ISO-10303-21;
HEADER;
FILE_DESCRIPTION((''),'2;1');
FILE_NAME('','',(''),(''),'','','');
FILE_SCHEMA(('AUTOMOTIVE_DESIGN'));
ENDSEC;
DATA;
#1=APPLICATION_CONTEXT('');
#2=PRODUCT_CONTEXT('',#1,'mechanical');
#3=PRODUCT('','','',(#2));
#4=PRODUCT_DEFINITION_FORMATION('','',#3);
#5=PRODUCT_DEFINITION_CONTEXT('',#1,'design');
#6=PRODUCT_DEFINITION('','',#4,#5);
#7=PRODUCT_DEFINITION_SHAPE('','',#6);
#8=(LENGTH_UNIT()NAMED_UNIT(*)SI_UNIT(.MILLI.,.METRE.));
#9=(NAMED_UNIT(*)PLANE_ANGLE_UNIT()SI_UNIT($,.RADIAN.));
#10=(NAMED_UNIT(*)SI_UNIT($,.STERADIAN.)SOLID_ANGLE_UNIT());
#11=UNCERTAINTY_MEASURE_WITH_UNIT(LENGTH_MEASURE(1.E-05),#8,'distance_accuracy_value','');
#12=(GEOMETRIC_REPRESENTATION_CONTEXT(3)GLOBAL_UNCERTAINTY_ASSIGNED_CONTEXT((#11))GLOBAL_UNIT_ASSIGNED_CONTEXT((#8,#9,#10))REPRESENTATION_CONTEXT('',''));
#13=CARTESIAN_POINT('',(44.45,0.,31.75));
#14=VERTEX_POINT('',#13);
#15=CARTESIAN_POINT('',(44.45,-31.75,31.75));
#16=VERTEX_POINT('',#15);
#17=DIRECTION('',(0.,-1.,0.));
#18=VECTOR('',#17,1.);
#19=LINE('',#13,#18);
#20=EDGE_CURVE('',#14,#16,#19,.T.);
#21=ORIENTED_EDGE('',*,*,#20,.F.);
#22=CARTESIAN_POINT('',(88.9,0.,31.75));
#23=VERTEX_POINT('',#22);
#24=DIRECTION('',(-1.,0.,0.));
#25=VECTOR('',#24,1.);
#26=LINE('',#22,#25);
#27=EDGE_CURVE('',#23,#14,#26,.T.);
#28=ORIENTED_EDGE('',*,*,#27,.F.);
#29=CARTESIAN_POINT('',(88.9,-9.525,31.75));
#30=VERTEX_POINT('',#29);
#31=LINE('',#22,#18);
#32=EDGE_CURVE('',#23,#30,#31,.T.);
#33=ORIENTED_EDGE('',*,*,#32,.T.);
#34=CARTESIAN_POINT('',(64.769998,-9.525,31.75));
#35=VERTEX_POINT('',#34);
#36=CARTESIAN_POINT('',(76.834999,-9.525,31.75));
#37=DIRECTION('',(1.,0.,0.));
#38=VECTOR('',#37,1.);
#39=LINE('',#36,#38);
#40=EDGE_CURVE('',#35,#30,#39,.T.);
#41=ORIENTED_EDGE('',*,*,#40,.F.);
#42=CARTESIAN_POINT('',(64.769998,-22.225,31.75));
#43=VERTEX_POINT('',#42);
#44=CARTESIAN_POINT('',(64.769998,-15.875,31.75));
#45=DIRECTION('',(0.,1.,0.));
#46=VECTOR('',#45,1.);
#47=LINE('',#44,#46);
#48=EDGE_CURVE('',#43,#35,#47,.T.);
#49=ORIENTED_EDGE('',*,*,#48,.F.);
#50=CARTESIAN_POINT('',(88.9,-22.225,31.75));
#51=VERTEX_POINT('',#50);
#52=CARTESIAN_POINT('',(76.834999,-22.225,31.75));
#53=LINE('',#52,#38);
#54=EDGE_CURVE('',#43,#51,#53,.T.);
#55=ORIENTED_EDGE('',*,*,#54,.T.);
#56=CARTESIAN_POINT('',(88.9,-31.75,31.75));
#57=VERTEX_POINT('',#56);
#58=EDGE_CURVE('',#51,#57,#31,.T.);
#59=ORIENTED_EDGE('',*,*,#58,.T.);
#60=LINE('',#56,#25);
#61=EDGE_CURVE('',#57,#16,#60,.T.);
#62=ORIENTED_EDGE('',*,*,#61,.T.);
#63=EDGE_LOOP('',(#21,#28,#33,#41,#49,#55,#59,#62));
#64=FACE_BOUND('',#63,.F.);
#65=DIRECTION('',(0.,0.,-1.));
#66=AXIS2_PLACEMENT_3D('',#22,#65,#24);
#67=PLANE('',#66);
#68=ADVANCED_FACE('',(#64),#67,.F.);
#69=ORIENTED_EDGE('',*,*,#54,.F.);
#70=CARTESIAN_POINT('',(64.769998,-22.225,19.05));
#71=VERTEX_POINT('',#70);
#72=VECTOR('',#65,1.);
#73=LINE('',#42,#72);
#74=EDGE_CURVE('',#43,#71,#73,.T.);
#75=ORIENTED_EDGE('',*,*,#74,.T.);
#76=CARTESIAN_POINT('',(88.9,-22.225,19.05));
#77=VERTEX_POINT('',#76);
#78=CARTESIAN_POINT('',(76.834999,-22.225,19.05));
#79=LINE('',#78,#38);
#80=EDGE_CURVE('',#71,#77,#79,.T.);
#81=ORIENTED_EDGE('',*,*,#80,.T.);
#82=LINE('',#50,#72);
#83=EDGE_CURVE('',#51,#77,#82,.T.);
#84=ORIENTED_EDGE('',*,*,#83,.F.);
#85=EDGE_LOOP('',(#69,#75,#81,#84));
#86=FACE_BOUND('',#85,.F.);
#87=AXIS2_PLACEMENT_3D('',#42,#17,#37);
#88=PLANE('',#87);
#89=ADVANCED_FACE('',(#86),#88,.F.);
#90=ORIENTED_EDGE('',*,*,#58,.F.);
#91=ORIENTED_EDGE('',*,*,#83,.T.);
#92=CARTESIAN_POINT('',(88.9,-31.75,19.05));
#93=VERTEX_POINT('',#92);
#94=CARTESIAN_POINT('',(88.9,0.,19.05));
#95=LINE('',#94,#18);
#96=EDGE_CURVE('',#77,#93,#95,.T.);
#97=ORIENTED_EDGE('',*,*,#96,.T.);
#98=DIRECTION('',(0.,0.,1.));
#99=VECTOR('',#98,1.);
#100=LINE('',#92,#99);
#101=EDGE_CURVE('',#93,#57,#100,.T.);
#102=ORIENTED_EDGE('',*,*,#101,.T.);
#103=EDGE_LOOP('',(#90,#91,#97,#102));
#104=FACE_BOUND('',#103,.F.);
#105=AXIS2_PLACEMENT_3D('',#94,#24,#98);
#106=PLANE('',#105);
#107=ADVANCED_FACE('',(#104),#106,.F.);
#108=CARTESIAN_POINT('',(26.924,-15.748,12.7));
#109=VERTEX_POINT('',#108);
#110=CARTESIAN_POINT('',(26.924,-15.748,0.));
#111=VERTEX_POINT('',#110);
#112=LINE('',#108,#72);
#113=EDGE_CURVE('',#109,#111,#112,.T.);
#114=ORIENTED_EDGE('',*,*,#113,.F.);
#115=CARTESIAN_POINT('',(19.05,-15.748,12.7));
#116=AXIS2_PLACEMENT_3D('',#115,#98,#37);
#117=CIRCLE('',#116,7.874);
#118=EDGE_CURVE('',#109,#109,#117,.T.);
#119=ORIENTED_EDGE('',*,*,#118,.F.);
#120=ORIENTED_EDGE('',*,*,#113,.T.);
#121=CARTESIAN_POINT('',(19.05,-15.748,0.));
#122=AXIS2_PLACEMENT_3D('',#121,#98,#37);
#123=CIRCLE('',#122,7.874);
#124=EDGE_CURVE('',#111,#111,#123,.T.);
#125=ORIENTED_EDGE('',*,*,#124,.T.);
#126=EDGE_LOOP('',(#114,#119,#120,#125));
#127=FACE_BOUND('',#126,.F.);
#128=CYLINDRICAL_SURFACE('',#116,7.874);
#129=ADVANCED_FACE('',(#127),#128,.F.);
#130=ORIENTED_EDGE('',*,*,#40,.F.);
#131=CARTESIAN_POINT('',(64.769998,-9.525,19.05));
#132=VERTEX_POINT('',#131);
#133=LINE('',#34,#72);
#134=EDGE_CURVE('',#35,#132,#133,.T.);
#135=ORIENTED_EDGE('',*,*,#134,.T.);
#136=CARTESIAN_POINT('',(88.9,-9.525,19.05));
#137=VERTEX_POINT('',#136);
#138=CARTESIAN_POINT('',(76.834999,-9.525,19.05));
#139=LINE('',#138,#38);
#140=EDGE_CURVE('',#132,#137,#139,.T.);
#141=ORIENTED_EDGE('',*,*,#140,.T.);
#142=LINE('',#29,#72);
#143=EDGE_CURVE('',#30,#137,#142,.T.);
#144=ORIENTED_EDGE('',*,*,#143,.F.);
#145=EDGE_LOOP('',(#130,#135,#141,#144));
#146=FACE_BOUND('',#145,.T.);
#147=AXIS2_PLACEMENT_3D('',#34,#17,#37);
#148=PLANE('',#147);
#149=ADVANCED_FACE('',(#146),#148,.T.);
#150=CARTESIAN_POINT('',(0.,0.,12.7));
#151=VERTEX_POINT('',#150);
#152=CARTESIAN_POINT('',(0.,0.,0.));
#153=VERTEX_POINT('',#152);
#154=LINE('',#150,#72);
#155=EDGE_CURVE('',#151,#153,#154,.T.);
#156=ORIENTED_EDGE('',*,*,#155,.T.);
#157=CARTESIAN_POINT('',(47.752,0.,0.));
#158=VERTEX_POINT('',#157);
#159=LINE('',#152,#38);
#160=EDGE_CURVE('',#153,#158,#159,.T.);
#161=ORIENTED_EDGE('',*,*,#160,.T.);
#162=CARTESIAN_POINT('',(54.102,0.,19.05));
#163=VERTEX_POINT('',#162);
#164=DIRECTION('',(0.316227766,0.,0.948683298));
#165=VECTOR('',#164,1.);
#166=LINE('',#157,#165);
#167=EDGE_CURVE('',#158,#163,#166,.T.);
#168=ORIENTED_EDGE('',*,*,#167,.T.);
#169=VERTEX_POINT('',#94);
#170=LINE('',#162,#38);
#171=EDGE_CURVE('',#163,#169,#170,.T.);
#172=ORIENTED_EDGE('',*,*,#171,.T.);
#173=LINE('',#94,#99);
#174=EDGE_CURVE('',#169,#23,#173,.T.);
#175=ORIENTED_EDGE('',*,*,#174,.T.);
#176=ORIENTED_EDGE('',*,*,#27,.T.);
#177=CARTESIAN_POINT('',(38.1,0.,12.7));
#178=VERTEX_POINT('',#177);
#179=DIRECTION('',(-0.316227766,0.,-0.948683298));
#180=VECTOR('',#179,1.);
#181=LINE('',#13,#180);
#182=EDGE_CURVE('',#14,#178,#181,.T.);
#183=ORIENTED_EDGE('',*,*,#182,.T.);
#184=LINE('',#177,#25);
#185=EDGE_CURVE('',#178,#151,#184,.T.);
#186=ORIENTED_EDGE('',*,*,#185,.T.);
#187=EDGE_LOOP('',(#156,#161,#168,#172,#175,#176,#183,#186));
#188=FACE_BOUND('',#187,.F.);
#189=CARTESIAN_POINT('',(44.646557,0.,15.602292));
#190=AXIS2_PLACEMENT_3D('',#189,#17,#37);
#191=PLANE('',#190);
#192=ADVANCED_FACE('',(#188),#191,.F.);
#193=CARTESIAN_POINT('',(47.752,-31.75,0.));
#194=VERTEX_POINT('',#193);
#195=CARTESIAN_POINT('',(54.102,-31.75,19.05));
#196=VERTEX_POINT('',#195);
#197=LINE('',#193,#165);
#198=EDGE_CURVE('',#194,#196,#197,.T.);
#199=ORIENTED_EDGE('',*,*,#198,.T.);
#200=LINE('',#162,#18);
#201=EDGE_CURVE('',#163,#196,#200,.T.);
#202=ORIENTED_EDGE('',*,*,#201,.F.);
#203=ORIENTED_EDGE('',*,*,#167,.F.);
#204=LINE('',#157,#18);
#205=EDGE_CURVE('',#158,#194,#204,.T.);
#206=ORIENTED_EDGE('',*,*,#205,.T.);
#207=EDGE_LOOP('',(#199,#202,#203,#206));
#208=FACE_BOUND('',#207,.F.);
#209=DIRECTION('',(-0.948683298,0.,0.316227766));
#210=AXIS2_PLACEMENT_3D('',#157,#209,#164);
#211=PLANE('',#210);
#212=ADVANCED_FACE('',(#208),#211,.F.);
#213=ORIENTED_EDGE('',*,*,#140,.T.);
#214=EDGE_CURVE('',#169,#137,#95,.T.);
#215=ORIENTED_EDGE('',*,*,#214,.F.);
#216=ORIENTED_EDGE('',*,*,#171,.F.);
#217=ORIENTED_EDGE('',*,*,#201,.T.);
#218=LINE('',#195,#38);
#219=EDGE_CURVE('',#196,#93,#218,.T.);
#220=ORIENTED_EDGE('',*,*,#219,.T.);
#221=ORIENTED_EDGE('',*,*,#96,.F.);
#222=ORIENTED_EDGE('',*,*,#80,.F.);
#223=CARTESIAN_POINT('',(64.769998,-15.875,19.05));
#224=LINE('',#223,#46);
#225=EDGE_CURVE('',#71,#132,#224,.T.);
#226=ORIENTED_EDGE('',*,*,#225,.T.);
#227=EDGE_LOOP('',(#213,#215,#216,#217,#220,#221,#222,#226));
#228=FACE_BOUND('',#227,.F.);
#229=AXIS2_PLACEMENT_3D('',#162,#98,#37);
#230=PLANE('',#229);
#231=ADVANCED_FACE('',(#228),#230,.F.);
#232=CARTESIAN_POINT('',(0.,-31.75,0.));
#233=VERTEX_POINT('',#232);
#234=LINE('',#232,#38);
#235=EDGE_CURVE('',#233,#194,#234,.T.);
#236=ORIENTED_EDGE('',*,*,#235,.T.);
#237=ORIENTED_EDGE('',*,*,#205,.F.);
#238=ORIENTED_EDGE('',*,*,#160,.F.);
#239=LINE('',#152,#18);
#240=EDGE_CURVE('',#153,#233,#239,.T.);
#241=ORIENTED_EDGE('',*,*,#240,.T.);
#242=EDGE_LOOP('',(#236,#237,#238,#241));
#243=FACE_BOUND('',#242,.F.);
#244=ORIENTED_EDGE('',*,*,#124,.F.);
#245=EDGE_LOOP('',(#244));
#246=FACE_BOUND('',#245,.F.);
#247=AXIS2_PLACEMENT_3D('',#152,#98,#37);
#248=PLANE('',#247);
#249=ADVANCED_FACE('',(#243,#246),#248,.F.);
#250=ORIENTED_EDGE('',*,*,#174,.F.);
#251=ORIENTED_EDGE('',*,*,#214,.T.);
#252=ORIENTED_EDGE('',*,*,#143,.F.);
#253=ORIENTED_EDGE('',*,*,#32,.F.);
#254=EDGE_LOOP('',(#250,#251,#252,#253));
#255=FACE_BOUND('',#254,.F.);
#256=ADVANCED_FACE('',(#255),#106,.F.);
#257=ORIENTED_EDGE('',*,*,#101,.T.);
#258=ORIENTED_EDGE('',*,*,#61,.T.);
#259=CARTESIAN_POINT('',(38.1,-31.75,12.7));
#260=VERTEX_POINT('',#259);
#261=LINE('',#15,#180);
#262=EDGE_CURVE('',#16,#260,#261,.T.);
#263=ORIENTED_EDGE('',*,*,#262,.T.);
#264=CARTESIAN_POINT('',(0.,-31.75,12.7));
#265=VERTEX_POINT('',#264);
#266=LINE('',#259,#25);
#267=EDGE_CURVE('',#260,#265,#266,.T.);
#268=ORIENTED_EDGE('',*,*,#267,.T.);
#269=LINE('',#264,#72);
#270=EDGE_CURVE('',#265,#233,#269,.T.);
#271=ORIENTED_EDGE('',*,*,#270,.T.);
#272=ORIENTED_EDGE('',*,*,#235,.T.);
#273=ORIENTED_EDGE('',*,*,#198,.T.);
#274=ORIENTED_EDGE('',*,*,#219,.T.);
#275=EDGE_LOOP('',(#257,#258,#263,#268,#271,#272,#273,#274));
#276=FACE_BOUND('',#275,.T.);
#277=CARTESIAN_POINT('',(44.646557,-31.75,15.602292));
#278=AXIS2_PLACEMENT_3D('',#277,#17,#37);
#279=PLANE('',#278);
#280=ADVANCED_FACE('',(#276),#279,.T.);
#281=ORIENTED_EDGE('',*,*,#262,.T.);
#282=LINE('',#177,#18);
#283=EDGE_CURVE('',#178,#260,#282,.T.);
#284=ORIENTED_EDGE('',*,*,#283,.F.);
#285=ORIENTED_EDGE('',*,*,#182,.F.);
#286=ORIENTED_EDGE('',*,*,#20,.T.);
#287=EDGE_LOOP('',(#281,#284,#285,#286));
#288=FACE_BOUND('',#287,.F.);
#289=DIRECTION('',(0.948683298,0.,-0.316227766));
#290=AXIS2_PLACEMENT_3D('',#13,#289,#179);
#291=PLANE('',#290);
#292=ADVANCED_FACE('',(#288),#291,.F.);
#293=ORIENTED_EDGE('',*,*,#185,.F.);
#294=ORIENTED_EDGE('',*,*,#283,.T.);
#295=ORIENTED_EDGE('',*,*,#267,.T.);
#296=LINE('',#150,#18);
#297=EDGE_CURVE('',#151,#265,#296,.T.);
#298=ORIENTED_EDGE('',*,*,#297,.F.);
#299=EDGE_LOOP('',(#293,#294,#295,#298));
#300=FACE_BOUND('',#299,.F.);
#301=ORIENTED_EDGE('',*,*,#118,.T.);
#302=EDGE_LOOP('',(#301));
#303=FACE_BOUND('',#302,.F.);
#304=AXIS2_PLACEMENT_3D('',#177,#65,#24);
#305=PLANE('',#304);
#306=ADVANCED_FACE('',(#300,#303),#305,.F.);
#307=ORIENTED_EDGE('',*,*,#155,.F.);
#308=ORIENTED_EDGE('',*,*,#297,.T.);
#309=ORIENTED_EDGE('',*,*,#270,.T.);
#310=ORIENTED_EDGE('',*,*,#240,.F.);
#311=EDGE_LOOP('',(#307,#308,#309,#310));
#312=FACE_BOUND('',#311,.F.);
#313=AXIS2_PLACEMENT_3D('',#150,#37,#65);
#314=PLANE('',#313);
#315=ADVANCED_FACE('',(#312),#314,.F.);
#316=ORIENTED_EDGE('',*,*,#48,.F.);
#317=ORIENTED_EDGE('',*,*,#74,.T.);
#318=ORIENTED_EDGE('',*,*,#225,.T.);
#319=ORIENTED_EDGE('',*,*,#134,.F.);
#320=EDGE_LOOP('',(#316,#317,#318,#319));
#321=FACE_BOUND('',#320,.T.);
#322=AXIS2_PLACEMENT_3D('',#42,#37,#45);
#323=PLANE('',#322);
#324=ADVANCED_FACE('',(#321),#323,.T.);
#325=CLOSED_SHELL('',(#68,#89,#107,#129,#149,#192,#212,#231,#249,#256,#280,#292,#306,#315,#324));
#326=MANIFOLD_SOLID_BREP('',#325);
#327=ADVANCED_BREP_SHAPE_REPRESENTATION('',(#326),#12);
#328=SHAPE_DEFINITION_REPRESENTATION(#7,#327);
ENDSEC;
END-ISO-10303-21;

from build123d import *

# Parameters (mm, degrees)
F1_DEPTH = 31.75
F2_W     = 24.130002
F2_H     = 12.7
F3_DEPTH = 12.7
F4_R     = 7.874
F5_DEPTH = 12.7


with BuildPart() as f1:
    # F0 (on Front) → F1 (new body)
    with BuildSketch(Plane.XZ):
        Polygon((0, 12.7), (0, 0), (47.752, 0), (54.102, 19.05), (88.9, 19.05), (88.9, 31.75), (44.45, 31.75), (38.1, 12.7), align=None)
    extrude(amount=F1_DEPTH)

    # F2 (on face) → F3 (cut)
    with BuildSketch(Plane.XY.offset(31.75)):
        with Locations((76.834999, -15.875)):
            Rectangle(F2_W, F2_H)
    extrude(amount=-F3_DEPTH, mode=Mode.SUBTRACT)

    # F4 (on face) → F5 (cut)
    with BuildSketch(Plane.XY.offset(12.7)):
        with Locations((19.05, -15.748)):
            Circle(F4_R)
    extrude(amount=-F5_DEPTH, mode=Mode.SUBTRACT)


solid = f1.part
